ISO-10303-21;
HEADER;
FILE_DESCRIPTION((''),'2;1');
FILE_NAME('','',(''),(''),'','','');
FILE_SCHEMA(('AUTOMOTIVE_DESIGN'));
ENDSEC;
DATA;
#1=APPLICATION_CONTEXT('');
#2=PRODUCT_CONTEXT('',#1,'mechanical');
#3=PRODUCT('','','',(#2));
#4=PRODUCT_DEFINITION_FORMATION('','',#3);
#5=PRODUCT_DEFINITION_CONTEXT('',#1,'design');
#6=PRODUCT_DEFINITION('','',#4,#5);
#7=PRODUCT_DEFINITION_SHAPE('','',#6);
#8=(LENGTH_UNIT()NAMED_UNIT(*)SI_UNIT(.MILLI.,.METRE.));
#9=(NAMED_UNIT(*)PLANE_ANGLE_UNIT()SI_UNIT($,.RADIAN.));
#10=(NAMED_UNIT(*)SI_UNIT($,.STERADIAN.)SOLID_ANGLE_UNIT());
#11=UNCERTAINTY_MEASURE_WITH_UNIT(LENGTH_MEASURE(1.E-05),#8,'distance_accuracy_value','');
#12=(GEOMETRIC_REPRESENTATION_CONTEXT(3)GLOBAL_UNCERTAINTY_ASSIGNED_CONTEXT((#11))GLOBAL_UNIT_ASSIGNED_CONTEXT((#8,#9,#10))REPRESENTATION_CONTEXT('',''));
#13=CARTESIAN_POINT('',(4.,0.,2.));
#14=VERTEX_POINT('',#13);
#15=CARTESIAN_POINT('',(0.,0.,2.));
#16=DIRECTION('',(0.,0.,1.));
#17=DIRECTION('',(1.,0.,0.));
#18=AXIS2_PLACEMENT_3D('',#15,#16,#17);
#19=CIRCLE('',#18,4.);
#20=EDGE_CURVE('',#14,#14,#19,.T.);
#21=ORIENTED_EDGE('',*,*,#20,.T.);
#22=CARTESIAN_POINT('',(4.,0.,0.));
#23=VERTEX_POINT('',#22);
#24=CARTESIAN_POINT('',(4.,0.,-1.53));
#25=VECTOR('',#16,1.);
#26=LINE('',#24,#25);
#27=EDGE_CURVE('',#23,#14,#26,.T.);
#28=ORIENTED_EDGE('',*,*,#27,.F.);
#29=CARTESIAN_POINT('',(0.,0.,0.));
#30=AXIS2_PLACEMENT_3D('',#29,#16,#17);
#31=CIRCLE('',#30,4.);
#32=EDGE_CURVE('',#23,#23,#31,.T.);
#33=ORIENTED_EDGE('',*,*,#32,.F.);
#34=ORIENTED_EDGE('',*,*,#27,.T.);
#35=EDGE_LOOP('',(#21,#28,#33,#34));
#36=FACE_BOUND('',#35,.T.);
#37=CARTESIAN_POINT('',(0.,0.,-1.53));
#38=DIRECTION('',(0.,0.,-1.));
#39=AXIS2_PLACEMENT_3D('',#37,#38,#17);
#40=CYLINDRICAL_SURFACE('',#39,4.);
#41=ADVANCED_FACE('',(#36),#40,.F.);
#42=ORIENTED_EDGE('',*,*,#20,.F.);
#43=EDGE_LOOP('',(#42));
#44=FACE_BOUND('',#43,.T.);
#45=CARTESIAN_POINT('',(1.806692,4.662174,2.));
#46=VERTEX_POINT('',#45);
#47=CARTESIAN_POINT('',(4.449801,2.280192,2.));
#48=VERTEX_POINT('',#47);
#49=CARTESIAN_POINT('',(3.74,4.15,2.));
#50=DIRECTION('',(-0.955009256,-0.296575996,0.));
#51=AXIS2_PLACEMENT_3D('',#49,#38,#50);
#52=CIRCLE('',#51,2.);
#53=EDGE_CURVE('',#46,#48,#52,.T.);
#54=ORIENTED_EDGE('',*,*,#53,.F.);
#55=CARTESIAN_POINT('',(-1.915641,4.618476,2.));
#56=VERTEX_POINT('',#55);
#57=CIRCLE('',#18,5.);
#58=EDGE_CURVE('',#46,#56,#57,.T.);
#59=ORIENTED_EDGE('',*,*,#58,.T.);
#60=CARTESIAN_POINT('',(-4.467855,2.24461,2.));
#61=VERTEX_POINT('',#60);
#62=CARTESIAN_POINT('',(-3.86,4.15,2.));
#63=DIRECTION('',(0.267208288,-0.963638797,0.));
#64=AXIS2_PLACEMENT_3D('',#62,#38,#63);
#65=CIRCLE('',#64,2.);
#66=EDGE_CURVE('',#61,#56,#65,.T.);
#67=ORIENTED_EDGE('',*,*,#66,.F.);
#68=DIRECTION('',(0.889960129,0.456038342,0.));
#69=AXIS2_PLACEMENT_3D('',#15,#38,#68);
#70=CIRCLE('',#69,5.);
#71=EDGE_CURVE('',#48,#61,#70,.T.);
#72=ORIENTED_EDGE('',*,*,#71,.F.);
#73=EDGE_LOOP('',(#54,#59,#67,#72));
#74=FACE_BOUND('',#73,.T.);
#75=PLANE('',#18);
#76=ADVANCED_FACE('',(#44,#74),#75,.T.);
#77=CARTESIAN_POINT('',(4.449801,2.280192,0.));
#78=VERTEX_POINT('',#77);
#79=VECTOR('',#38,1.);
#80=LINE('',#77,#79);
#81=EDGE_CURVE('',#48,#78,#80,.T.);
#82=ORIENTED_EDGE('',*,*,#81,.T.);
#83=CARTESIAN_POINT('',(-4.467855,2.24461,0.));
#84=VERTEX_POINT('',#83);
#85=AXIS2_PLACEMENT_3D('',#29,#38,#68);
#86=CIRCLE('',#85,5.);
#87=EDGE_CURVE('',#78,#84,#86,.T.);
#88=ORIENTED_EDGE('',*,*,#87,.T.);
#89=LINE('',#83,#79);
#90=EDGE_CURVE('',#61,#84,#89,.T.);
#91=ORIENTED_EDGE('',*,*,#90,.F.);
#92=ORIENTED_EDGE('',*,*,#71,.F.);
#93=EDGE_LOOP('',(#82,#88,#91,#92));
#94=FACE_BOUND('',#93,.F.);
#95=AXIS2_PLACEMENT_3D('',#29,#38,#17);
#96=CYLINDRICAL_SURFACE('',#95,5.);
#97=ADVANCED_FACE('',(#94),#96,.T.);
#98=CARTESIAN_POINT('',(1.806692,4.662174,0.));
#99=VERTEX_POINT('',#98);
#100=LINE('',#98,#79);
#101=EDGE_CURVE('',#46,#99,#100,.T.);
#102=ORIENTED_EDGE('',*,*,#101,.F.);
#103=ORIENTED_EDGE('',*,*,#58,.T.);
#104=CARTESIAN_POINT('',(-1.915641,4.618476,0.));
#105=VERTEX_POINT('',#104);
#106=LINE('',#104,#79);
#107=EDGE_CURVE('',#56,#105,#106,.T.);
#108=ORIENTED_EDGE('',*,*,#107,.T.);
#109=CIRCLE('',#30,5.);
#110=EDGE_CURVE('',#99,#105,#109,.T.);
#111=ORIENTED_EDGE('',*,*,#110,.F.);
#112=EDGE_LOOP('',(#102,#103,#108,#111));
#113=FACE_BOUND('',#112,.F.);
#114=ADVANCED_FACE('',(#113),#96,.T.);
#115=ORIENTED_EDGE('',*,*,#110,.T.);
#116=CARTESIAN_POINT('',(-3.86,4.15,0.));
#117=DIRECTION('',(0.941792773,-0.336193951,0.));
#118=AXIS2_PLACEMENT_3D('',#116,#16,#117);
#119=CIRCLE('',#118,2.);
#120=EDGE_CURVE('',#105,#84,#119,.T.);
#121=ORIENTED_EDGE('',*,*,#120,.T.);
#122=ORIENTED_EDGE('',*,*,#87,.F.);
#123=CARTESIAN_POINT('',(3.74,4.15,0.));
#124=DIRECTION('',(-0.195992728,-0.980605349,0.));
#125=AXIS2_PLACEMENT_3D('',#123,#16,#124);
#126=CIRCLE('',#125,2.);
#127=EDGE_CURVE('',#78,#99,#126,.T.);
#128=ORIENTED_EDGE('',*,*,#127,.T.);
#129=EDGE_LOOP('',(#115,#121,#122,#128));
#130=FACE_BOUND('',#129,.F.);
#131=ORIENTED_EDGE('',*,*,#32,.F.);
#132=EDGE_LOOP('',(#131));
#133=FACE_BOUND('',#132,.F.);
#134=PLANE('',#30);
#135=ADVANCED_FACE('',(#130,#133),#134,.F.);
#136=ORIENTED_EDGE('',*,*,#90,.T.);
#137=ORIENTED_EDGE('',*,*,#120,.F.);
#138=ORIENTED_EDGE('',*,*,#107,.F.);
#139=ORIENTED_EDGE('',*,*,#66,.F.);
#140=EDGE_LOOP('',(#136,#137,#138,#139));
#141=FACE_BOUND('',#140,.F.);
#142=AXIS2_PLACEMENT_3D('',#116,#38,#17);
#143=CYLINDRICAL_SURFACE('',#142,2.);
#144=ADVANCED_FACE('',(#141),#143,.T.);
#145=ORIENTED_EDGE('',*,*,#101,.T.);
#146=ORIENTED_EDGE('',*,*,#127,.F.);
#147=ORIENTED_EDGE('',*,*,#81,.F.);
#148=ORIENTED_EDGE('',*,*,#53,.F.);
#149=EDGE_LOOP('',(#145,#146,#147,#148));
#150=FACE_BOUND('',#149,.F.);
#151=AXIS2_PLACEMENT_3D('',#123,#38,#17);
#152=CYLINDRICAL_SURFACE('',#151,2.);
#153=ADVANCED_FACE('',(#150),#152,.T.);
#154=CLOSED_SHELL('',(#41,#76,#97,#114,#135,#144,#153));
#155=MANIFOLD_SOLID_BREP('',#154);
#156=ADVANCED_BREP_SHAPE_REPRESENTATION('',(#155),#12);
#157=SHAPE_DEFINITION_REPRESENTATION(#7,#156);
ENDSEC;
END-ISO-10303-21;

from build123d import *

# Parameters (mm, degrees)
CYLINDER001_R     = 4
CYLINDER001_DEPTH = 5
CYLINDER003_R     = 2
CYLINDER003_DEPTH = 2
CYLINDER002_R     = 2
CYLINDER002_DEPTH = 2
CYLINDER_R        = 5
CYLINDER_DEPTH    = 2


with BuildPart() as interior:
    # Cylinder001 → Cylinder001 (new body)
    with BuildSketch(Plane.XY.offset(-1.53)):
        Circle(CYLINDER001_R)
    extrude(amount=CYLINDER001_DEPTH)


with BuildPart() as oreja001:
    # Cylinder003 → Cylinder003 (new body)
    with BuildSketch(Plane(origin=(3.74, 4.15, 0), x_dir=(1, 0, 0), z_dir=(0, 0, 1))):
        Circle(CYLINDER003_R)
    extrude(amount=CYLINDER003_DEPTH)


with BuildPart() as cut001:
    # Cylinder002 → Cylinder002 (new body)
    with BuildSketch(Plane(origin=(-3.86, 4.15, 0), x_dir=(1, 0, 0), z_dir=(0, 0, 1))):
        Circle(CYLINDER002_R)
    extrude(amount=CYLINDER002_DEPTH)

    # Fusion: union Oreja001
    add(oreja001.part)

    # Cut001: cut Interior
    add(interior.part, mode=Mode.SUBTRACT)


with BuildPart() as fusion001:
    # Cylinder → Cylinder (new body)
    with BuildSketch(Plane.XY):
        Circle(CYLINDER_R)
    extrude(amount=CYLINDER_DEPTH)

    # Cut: cut Interior
    add(interior.part, mode=Mode.SUBTRACT)

    # Fusion001: union Cut001
    add(cut001.part)


solid = fusion001.part
